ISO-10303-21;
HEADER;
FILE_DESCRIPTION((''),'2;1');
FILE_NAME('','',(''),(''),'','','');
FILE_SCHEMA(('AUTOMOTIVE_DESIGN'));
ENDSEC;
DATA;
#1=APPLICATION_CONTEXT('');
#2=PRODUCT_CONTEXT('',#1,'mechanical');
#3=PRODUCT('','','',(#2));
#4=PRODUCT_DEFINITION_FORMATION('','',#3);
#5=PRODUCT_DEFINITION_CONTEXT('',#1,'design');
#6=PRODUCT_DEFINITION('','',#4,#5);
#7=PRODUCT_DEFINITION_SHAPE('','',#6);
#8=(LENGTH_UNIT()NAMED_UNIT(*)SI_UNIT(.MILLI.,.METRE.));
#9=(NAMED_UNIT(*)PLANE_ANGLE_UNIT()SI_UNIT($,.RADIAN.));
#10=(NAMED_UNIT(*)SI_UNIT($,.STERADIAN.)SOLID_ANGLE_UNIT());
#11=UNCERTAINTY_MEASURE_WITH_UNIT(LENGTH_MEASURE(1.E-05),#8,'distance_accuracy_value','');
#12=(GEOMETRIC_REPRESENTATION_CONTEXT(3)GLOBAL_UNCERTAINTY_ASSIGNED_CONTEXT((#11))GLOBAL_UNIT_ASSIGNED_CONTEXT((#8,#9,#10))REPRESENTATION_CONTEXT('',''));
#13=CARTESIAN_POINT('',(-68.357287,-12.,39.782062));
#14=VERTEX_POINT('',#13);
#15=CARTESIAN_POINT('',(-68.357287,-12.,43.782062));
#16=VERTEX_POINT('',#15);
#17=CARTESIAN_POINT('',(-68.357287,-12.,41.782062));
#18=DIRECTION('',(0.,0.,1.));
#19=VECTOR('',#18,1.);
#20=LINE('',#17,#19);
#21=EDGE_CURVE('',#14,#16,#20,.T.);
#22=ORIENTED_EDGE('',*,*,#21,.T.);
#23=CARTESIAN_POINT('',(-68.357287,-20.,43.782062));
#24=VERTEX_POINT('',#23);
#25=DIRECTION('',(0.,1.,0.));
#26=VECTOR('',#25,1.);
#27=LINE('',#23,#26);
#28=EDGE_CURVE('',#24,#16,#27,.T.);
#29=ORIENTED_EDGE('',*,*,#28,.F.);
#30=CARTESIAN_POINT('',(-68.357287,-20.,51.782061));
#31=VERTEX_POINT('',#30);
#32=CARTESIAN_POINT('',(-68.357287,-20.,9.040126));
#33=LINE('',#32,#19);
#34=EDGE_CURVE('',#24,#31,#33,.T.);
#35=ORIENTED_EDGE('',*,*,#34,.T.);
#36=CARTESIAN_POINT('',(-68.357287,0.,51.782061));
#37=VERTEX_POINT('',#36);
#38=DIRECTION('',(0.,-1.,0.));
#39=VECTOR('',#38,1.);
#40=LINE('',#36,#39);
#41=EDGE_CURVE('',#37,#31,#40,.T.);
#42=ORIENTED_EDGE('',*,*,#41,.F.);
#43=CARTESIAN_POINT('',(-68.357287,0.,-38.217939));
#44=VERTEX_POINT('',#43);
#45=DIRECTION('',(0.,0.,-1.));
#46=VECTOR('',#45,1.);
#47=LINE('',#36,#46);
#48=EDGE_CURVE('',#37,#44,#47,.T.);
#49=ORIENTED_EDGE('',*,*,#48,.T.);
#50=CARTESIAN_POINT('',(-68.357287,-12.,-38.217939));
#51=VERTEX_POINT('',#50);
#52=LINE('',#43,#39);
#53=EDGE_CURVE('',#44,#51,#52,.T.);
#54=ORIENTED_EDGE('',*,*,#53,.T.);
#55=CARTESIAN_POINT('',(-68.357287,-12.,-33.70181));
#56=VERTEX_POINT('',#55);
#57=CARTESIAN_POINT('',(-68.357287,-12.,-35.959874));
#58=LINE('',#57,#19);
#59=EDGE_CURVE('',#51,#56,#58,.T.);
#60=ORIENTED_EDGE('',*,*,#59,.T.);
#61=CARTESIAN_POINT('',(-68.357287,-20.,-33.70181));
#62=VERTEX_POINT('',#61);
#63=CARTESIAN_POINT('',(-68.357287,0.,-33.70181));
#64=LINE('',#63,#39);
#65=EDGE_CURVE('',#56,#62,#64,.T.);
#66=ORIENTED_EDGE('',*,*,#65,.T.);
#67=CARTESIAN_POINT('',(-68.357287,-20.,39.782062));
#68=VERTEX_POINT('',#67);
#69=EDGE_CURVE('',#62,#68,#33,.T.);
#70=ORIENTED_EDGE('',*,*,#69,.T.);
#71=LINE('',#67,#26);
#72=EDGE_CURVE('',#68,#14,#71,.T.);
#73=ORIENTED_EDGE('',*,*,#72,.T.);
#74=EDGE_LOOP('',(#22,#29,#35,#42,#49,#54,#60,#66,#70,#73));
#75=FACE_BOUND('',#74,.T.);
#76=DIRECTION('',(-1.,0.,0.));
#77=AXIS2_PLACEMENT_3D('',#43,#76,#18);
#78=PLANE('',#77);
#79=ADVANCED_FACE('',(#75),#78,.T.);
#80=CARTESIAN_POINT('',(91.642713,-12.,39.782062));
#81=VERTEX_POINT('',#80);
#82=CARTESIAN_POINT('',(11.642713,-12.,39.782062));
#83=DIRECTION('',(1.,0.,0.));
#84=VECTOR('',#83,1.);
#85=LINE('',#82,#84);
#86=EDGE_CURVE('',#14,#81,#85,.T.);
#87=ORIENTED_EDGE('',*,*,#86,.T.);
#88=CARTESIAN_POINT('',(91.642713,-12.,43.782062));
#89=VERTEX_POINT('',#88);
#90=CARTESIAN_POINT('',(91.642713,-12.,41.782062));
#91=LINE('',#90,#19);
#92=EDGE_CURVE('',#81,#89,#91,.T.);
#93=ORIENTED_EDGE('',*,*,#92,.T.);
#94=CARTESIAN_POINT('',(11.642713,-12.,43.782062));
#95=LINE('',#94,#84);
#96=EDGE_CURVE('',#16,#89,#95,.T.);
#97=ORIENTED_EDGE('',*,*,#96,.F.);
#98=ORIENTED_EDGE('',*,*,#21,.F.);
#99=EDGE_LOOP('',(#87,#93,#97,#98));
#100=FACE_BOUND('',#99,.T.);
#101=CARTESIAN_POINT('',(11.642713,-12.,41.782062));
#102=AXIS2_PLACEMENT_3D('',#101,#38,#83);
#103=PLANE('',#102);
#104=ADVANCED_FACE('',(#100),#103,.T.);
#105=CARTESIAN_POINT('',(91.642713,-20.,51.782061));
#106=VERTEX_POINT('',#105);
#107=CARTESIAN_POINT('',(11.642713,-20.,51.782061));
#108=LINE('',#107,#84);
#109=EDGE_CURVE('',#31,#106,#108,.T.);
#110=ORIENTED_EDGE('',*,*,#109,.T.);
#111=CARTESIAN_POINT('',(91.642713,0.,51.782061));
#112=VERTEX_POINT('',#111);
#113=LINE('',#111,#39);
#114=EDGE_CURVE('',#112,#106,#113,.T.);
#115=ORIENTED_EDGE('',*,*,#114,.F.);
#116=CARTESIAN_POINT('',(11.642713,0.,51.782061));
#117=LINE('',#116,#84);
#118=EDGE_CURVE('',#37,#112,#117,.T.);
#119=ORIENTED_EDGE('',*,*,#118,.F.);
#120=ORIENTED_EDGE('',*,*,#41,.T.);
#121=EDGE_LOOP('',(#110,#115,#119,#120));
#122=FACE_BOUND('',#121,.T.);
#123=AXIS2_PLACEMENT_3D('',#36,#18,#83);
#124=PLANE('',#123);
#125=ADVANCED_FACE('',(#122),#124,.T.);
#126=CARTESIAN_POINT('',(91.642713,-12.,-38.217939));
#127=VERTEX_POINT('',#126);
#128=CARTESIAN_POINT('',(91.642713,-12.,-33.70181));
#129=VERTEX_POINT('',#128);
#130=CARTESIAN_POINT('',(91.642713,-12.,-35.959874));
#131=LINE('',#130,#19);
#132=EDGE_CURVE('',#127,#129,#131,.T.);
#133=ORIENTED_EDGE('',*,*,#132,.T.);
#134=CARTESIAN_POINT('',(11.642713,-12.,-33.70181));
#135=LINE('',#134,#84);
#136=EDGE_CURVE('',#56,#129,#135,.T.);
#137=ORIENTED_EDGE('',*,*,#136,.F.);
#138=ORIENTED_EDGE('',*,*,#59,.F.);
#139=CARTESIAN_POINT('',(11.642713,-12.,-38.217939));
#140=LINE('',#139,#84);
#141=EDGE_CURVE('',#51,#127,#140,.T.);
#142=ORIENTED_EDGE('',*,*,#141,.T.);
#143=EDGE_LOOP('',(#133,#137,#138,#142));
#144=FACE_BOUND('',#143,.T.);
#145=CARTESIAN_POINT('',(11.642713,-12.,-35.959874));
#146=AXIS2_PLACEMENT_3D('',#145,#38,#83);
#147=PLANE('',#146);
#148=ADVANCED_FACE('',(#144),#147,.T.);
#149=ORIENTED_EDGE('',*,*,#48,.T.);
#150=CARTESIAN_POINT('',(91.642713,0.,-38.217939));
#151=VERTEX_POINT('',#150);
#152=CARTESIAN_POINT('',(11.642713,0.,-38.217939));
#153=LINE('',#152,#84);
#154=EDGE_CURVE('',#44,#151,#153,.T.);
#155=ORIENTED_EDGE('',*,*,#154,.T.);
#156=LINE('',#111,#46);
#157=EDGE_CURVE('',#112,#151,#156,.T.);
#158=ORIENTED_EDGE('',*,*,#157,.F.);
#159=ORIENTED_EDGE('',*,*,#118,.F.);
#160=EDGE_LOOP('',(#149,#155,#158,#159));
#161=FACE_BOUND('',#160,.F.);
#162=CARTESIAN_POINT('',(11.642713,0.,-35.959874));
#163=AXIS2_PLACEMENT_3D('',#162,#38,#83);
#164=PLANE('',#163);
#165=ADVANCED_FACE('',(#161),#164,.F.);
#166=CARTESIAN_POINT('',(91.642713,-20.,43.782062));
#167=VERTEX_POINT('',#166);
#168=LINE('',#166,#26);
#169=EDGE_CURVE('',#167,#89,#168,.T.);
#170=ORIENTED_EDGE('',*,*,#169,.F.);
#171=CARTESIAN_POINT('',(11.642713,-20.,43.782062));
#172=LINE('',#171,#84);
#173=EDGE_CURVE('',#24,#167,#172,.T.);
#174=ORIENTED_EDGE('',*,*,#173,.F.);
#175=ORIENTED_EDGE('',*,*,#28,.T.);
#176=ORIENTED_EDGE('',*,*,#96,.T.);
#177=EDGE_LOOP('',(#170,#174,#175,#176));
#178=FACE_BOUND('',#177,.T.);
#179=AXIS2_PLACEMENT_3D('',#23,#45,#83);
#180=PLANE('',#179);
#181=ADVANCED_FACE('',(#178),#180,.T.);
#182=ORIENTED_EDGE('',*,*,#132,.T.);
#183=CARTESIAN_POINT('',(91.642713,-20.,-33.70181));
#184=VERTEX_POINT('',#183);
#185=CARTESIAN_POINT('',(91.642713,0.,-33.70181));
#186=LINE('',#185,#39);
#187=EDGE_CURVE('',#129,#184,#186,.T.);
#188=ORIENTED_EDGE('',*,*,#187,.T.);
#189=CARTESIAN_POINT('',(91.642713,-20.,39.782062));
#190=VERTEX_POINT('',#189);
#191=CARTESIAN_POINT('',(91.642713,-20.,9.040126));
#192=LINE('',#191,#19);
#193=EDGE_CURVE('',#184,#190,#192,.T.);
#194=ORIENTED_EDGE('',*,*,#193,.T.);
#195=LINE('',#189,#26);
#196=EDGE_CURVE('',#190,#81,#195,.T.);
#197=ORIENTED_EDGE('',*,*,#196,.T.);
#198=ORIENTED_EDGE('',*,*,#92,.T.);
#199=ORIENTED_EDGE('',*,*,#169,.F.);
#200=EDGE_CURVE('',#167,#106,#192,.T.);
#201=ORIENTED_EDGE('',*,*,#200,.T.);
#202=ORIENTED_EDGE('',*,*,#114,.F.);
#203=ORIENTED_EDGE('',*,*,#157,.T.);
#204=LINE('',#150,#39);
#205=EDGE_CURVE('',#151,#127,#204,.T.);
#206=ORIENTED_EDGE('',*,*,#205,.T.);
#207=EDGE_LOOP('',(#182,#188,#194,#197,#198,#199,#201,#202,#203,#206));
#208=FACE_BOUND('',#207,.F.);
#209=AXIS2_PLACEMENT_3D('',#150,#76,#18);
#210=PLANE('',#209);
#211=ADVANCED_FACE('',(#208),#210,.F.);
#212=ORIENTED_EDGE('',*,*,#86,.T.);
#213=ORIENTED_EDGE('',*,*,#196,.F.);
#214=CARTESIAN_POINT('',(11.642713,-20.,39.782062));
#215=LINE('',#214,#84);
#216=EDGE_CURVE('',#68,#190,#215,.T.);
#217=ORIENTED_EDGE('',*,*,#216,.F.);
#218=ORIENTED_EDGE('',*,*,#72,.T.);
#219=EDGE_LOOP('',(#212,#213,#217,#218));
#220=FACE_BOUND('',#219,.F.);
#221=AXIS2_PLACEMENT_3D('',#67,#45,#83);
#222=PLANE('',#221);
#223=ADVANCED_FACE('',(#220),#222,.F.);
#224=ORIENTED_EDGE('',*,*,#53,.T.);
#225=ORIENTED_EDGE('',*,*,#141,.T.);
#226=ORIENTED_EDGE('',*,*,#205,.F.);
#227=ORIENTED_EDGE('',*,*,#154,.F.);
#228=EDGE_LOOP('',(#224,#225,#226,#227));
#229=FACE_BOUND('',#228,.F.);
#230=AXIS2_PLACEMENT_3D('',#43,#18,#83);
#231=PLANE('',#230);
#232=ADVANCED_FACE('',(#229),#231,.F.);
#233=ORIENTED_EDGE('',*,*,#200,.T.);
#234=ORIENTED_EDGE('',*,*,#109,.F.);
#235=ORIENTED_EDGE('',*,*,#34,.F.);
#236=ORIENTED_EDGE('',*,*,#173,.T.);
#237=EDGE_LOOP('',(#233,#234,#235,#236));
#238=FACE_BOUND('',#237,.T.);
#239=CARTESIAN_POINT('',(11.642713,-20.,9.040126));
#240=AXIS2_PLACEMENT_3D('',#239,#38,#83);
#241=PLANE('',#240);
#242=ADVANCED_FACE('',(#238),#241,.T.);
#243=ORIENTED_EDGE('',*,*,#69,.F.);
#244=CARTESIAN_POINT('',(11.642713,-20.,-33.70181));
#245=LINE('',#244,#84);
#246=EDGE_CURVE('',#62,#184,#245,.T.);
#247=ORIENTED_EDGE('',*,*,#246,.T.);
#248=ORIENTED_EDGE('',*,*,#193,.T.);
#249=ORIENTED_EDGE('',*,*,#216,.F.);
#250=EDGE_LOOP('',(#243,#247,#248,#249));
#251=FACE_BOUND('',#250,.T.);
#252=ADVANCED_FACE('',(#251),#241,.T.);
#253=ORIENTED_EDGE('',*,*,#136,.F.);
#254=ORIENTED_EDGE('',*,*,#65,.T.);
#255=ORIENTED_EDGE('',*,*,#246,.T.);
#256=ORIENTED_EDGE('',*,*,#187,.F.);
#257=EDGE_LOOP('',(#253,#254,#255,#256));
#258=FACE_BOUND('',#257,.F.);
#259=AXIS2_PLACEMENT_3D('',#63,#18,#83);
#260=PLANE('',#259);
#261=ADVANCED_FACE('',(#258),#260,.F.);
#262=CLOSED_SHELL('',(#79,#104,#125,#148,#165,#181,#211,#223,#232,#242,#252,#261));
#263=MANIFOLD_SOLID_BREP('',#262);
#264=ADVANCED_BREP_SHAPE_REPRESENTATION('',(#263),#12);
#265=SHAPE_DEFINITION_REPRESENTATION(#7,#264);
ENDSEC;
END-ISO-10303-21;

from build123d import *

# Parameters (mm, degrees)
F0_W     = 160
F0_H     = 85.483871
F1_DEPTH = 20
F0_H_2   = 4.516129
F2_DEPTH = 12
F3_W     = 160
F3_H     = 4
F4_DEPTH = 8


with BuildPart() as f1:
    # F0 (on Front) → F1 (new body)
    with BuildSketch(Plane.XZ):
        with Locations((11.642713, 9.040126)):
            Rectangle(F0_W, F0_H)
    extrude(amount=F1_DEPTH)

    # F0 (on Front) → F2 (join)
    with BuildSketch(Plane.XZ):
        with Locations((11.642713, -35.959874)):
            Rectangle(F0_W, F0_H_2)
    extrude(amount=F2_DEPTH)

    # F3 (on face) → F4 (cut)
    with BuildSketch(Plane.XZ.offset(20)):
        with Locations((11.642713, 41.782062)):
            Rectangle(F3_W, F3_H)
    extrude(amount=-F4_DEPTH, mode=Mode.SUBTRACT)


solid = f1.part
